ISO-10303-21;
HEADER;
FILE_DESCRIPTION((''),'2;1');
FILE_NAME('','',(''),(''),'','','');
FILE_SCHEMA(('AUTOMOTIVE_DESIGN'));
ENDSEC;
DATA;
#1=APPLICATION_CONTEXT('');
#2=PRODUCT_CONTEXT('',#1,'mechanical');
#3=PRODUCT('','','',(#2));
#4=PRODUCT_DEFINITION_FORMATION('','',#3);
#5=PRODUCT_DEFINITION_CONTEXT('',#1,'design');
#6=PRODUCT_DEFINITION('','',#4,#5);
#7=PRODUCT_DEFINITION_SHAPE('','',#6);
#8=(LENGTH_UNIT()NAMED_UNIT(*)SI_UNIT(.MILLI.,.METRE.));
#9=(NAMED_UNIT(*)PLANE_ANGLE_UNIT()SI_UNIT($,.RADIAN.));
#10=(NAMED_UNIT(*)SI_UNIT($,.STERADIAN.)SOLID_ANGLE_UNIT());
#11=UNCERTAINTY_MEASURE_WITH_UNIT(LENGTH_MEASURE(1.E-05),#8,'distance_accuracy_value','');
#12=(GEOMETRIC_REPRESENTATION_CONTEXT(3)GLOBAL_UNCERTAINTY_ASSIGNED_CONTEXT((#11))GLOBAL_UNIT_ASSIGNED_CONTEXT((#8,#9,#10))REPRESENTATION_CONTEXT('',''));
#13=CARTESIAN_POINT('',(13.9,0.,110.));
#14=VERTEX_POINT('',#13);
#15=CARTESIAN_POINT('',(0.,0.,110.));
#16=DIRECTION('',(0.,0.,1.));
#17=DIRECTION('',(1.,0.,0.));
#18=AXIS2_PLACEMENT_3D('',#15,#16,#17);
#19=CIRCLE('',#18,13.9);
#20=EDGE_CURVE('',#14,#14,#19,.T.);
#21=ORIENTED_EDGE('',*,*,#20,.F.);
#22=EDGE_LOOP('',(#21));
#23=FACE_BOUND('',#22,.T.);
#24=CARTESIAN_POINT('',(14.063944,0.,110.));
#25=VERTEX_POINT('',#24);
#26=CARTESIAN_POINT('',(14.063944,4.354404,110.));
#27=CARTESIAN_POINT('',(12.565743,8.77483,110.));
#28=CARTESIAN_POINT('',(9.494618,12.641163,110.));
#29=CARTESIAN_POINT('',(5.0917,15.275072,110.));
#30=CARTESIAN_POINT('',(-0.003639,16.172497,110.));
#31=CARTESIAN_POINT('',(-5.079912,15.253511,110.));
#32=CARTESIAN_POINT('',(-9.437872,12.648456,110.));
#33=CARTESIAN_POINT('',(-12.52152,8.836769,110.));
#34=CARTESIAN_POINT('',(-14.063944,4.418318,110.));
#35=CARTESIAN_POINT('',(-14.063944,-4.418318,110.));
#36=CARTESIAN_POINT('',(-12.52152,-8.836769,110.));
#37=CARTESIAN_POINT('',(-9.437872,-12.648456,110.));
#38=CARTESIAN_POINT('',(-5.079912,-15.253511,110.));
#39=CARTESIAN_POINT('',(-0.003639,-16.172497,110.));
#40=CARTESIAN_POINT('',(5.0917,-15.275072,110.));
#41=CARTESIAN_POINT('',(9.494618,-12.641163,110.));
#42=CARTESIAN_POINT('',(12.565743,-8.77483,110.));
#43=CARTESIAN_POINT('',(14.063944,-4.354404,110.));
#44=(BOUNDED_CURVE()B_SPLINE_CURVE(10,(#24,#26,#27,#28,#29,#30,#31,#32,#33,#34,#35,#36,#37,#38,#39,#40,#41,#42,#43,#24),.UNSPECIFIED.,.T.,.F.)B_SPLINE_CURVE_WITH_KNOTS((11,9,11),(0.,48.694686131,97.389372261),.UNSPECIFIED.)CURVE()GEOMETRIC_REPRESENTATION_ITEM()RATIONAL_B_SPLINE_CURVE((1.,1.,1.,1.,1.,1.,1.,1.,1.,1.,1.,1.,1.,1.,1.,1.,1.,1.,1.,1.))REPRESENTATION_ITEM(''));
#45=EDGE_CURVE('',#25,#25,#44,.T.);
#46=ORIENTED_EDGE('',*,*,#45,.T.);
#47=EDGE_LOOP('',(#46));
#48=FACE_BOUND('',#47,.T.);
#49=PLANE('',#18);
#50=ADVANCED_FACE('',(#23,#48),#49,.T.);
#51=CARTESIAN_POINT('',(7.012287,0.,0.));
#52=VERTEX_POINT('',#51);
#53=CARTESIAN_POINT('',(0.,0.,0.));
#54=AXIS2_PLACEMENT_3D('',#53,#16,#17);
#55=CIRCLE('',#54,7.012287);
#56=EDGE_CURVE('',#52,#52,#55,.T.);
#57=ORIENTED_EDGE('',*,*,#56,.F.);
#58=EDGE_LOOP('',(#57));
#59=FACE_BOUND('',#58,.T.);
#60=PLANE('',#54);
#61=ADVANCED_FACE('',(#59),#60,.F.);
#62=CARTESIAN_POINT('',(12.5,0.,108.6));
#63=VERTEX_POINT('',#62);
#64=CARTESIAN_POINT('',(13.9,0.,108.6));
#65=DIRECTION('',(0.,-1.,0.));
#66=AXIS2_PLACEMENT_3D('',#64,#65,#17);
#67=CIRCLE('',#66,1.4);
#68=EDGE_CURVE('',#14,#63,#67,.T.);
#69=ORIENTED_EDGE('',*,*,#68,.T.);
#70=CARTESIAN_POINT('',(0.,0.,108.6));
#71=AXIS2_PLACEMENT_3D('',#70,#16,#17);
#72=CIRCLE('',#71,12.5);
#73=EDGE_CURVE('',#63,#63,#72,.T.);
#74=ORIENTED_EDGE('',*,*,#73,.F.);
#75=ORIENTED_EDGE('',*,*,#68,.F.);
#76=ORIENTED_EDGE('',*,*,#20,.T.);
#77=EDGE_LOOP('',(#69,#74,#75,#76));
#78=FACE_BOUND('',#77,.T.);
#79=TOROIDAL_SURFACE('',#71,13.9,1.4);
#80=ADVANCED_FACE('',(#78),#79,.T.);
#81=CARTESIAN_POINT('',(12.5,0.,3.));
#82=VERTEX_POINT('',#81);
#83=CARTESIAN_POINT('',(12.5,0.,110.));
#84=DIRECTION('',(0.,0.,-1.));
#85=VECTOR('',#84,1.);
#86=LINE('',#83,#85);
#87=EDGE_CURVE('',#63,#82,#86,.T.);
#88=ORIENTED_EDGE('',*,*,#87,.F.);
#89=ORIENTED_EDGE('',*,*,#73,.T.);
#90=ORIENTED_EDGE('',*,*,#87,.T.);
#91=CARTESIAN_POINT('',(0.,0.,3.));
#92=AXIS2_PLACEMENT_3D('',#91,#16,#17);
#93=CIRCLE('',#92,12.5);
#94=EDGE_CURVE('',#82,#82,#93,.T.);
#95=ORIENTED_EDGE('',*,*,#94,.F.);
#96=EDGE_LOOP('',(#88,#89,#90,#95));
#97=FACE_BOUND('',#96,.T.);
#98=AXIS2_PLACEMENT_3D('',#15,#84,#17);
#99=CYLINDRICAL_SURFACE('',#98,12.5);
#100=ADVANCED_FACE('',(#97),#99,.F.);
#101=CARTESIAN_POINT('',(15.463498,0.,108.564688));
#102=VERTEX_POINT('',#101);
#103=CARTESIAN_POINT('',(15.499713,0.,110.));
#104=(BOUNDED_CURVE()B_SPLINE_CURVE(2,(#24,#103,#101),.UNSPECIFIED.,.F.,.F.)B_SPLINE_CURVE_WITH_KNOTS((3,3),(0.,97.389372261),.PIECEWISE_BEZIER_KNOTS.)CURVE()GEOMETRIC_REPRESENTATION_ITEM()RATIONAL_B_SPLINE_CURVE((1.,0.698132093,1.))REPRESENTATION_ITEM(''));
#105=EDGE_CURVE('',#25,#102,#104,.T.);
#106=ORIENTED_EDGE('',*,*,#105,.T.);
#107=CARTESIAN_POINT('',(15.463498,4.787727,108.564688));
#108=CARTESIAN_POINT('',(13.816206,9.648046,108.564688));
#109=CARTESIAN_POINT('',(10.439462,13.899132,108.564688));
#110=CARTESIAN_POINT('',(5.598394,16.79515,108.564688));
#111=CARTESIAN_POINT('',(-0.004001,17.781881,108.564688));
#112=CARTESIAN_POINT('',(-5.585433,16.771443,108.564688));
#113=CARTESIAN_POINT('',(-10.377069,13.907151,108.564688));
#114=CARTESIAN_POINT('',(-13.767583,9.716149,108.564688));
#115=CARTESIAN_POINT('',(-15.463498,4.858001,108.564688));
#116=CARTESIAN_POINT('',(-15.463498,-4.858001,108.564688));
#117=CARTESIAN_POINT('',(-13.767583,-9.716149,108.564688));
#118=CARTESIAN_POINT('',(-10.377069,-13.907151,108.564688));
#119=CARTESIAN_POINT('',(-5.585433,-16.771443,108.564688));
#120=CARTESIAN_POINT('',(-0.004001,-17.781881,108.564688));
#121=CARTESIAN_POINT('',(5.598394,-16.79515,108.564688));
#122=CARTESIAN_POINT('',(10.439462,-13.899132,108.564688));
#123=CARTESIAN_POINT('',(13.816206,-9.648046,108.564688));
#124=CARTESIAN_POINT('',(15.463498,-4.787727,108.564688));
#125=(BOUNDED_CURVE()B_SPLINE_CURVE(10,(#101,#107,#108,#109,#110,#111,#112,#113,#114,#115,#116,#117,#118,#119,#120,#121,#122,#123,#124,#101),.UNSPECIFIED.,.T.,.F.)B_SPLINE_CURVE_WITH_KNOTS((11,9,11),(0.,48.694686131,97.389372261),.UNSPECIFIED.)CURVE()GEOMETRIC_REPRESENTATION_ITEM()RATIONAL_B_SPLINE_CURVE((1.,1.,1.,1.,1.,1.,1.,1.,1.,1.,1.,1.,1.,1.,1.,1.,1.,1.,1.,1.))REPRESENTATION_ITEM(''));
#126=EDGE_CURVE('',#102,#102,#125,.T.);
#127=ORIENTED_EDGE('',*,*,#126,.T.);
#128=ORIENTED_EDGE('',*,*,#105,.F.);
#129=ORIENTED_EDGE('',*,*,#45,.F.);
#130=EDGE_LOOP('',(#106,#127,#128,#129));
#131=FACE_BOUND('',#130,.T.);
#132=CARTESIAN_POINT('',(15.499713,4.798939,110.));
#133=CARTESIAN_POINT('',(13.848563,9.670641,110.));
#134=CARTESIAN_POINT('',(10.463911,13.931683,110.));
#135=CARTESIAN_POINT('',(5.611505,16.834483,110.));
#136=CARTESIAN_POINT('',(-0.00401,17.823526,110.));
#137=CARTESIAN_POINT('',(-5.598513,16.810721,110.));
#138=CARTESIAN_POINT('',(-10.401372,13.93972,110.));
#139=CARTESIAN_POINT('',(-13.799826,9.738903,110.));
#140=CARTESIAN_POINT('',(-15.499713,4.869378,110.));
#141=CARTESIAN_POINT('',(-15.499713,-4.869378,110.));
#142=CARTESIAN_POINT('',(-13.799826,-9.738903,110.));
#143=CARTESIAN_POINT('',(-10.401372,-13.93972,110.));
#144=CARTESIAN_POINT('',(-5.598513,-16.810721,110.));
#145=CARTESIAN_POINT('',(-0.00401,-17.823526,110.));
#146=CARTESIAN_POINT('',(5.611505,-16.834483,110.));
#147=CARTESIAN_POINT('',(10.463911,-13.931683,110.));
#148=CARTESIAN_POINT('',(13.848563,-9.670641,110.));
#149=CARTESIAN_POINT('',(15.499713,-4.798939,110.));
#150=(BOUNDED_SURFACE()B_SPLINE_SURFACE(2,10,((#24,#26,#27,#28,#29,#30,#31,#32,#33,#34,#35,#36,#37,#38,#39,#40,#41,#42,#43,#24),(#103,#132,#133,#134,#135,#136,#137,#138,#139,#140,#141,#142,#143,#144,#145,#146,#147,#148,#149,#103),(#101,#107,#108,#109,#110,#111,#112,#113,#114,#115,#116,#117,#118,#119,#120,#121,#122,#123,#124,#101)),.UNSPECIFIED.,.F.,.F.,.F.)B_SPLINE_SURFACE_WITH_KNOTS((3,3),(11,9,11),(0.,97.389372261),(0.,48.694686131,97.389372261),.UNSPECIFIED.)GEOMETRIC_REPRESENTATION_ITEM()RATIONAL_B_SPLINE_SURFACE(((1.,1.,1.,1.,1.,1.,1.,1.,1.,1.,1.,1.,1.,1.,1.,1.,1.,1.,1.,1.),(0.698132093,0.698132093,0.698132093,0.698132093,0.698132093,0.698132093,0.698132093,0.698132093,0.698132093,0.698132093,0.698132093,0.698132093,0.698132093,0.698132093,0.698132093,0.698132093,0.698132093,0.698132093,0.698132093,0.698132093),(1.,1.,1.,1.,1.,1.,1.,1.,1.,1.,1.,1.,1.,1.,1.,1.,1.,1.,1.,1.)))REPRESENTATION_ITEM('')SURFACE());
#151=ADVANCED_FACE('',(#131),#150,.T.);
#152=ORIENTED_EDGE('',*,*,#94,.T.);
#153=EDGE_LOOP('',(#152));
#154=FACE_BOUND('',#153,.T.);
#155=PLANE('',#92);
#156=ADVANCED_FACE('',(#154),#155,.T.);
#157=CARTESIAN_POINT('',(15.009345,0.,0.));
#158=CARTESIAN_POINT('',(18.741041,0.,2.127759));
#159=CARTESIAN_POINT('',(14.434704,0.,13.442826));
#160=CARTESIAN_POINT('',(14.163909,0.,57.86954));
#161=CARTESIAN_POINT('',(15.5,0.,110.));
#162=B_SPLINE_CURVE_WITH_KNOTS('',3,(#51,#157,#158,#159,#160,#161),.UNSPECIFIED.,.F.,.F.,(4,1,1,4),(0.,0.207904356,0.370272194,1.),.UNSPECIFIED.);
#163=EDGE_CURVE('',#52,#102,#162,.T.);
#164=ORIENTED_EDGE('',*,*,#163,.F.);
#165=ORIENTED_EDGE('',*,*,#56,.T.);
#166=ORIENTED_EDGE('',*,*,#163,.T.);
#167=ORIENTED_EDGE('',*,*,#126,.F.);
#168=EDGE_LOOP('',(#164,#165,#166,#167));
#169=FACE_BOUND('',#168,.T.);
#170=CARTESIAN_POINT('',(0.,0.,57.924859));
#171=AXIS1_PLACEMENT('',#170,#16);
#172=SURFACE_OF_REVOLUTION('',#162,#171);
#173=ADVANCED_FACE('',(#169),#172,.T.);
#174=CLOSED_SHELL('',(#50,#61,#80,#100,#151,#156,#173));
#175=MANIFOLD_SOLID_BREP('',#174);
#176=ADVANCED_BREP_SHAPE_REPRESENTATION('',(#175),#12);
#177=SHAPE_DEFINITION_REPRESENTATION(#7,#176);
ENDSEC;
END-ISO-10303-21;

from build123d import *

# Parameters (mm, degrees)
F2_R = 1.4


with BuildPart() as f1:
    # F0 (on Front) → F1 (revolve)
    with BuildSketch(Plane.XZ):
        with BuildLine():
            Line((15.5, 110), (12.5, 110))
            Line((12.5, 110), (12.5, 3))
            Line((12.5, 3), (0, 3))
            Line((0, 3), (0, 0))
            Line((0, 0), (7.0122866566, 0))
            add(Edge.make_bspline(
                [(7.0122866566, 0), (15.0093450272, 0), (18.7410407809, 2.1277590234), (14.434704448, 13.4428260048), (14.1639093859, 57.86953984), (15.5, 110)],
                knots=[0, 0, 0, 0, 0.2079043563, 0.3702721943, 1, 1, 1, 1], degree=3))
        make_face()
    revolve(axis=Axis((0, 0, 57.9248592257), (0, 0, 1)))

    # F2
    f2_edges = [f1.edges().sort_by_distance(p)[0] for p in [
        (-15.5, 0, 110),
        (-12.5, 0, 110),
    ]]
    fillet(f2_edges, radius=F2_R)


solid = f1.part
